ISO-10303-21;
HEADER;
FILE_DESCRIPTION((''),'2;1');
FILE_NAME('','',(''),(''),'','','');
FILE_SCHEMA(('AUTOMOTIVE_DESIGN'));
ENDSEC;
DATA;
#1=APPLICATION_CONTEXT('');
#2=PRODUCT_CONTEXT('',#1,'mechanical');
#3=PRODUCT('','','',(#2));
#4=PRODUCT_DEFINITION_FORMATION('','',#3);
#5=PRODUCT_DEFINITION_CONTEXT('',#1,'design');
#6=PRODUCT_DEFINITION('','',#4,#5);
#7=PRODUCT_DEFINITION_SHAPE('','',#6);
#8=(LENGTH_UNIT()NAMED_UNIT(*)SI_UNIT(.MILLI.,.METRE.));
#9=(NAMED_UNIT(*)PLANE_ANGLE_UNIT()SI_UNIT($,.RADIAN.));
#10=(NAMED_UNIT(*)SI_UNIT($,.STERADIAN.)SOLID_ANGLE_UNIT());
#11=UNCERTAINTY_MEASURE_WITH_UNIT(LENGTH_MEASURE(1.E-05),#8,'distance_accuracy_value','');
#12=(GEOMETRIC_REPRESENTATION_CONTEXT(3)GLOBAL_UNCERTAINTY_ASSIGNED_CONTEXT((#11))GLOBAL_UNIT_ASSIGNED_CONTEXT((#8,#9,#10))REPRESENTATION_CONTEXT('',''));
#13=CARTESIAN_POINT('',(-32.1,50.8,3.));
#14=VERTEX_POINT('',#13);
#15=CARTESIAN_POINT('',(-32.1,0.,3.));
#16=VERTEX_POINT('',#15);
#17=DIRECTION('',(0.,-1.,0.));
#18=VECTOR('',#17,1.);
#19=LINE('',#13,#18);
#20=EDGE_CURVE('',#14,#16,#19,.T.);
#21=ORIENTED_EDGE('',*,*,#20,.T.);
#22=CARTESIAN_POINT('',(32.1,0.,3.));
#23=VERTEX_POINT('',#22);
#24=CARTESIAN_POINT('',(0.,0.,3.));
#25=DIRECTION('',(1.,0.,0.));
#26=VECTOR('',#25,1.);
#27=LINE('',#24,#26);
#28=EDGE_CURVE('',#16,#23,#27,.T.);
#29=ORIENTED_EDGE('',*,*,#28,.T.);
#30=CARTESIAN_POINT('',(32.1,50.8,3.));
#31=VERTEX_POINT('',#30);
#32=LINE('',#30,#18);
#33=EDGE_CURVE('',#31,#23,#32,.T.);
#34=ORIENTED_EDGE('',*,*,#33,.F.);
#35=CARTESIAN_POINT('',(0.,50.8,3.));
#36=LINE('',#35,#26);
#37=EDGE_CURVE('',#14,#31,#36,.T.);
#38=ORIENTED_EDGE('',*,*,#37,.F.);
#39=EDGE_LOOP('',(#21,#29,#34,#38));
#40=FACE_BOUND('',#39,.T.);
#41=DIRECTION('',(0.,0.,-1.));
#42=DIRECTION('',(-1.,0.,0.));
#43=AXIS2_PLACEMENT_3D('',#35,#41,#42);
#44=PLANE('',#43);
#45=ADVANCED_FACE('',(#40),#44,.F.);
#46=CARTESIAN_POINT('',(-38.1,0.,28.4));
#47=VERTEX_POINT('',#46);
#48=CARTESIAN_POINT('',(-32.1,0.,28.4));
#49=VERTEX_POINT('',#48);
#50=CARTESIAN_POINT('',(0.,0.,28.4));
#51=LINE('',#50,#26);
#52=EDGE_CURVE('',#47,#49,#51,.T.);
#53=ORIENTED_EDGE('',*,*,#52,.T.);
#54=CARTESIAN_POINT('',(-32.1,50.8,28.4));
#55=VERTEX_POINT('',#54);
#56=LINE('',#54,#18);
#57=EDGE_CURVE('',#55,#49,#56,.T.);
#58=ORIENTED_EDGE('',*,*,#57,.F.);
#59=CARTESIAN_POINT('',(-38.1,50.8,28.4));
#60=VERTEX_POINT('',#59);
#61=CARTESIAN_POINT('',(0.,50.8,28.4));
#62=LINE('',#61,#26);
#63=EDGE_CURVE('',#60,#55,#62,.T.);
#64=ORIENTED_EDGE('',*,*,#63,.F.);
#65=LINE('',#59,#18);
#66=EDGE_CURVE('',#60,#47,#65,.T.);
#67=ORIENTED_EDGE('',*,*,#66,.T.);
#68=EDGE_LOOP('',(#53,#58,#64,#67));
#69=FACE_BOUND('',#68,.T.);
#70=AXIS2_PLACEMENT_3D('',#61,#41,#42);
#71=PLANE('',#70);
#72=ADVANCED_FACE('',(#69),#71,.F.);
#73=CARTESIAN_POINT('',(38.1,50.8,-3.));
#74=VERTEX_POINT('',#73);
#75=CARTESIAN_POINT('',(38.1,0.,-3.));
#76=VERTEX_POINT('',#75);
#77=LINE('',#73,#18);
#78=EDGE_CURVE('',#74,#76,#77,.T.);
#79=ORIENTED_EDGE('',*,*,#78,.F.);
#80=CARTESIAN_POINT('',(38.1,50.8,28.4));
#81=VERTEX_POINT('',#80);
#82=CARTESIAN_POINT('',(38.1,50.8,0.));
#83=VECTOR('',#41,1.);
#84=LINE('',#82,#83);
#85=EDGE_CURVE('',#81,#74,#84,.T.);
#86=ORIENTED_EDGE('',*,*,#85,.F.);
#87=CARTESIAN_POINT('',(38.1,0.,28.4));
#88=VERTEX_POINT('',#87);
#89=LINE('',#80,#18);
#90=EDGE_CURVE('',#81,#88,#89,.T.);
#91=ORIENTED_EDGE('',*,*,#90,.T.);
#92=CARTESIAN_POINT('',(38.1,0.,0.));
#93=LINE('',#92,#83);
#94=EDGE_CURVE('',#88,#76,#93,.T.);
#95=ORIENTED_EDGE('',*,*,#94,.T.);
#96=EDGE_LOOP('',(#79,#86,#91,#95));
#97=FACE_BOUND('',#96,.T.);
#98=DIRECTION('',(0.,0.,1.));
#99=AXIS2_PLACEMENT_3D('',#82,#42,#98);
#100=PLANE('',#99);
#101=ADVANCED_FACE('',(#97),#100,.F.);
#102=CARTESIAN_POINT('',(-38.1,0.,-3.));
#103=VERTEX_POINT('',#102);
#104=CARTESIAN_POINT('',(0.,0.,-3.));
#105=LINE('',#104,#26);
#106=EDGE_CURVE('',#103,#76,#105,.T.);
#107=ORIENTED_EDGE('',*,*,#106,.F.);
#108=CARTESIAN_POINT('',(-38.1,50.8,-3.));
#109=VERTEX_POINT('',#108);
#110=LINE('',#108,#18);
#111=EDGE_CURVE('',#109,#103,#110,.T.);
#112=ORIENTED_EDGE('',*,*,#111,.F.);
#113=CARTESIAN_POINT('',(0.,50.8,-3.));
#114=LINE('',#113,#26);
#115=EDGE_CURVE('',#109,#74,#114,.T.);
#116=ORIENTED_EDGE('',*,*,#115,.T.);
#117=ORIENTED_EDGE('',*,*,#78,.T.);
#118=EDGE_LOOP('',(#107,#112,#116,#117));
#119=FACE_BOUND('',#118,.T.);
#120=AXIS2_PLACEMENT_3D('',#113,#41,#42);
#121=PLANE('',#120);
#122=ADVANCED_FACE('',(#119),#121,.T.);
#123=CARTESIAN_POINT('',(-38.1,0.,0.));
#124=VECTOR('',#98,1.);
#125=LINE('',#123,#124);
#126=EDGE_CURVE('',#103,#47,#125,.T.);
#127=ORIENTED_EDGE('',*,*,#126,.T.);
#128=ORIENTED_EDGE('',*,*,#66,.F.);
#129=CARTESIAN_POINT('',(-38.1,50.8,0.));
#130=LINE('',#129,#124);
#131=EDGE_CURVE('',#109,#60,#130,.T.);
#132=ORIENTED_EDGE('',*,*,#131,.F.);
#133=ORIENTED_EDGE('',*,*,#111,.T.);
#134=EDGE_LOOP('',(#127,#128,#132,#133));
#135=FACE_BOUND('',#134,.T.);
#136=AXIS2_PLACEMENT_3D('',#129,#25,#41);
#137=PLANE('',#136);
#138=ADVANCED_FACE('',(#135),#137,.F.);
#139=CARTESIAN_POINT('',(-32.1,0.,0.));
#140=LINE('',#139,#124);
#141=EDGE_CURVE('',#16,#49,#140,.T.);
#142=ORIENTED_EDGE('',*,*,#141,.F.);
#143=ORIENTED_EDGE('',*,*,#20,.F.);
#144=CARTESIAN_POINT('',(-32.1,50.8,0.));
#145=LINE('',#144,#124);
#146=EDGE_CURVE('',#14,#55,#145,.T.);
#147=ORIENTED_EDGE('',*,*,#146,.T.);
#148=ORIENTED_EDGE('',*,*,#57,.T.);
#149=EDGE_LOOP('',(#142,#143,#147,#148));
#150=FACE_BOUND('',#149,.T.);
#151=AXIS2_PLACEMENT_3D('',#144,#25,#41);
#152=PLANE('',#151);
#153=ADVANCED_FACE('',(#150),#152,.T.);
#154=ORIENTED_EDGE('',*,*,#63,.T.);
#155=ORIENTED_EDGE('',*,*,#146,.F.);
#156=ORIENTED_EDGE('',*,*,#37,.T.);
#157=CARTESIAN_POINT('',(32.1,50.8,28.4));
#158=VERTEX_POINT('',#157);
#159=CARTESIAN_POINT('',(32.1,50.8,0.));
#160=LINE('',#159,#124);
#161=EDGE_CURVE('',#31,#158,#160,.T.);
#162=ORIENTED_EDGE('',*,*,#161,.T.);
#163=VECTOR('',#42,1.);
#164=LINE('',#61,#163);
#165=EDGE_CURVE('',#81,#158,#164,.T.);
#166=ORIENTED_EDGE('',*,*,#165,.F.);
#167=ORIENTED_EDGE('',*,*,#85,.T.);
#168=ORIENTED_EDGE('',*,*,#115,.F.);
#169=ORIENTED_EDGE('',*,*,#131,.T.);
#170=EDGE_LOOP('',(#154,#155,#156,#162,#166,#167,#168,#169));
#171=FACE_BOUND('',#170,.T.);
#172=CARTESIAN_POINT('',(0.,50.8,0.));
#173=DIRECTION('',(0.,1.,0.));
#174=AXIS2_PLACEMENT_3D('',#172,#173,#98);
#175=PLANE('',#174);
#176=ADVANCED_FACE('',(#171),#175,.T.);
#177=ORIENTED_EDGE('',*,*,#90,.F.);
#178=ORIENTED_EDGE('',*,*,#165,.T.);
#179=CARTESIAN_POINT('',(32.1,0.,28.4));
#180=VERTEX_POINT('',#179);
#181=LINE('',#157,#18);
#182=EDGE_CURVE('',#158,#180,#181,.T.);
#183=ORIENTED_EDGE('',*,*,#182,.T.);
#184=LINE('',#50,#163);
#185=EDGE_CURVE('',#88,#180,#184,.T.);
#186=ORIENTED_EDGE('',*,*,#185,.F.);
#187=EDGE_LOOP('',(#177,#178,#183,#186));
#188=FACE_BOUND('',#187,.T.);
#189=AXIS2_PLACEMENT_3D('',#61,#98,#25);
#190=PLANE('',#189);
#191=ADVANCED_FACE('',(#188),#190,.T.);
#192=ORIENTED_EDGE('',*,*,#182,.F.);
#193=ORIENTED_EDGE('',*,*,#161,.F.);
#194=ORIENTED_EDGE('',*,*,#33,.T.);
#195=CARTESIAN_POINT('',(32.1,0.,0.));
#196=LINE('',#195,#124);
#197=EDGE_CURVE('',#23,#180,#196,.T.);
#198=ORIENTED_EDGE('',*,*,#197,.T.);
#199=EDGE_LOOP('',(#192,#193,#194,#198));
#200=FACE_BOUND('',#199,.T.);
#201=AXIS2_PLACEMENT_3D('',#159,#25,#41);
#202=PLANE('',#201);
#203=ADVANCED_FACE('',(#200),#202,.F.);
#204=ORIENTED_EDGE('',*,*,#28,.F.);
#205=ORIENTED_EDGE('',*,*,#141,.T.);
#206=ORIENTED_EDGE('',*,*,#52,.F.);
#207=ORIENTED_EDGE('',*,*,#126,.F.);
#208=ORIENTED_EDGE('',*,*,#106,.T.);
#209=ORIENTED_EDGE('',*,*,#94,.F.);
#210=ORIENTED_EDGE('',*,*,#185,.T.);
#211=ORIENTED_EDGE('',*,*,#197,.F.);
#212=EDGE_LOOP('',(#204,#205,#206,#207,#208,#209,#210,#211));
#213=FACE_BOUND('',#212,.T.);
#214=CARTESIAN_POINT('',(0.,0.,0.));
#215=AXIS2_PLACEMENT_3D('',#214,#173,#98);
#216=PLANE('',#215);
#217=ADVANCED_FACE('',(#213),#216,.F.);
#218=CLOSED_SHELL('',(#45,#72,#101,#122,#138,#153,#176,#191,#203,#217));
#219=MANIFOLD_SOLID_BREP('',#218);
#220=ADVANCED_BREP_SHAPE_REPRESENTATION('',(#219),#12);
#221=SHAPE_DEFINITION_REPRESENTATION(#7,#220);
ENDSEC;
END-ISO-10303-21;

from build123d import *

# Parameters (mm, degrees)
SKETCH3_W           = 6
SKETCH3_H           = 25.4
SKETCH3_W_2         = 76.2
SKETCH3_H_2         = 6
BOSS_EXTRUDE1_DEPTH = 50.8


with BuildPart() as part:
    # Sketch3 → Boss-Extrude1 (new body)
    with BuildSketch(Plane(origin=(0, 0, 0), x_dir=(1, 0, 0), z_dir=(0, 1, 0))):
        with Locations((-35.1, -15.7)):
            Rectangle(SKETCH3_W, SKETCH3_H)
        Rectangle(SKETCH3_W_2, SKETCH3_H_2)
        with Locations((35.1, -15.7)):
            Rectangle(SKETCH3_W, SKETCH3_H)
    extrude(amount=BOSS_EXTRUDE1_DEPTH)


solid = part.part
